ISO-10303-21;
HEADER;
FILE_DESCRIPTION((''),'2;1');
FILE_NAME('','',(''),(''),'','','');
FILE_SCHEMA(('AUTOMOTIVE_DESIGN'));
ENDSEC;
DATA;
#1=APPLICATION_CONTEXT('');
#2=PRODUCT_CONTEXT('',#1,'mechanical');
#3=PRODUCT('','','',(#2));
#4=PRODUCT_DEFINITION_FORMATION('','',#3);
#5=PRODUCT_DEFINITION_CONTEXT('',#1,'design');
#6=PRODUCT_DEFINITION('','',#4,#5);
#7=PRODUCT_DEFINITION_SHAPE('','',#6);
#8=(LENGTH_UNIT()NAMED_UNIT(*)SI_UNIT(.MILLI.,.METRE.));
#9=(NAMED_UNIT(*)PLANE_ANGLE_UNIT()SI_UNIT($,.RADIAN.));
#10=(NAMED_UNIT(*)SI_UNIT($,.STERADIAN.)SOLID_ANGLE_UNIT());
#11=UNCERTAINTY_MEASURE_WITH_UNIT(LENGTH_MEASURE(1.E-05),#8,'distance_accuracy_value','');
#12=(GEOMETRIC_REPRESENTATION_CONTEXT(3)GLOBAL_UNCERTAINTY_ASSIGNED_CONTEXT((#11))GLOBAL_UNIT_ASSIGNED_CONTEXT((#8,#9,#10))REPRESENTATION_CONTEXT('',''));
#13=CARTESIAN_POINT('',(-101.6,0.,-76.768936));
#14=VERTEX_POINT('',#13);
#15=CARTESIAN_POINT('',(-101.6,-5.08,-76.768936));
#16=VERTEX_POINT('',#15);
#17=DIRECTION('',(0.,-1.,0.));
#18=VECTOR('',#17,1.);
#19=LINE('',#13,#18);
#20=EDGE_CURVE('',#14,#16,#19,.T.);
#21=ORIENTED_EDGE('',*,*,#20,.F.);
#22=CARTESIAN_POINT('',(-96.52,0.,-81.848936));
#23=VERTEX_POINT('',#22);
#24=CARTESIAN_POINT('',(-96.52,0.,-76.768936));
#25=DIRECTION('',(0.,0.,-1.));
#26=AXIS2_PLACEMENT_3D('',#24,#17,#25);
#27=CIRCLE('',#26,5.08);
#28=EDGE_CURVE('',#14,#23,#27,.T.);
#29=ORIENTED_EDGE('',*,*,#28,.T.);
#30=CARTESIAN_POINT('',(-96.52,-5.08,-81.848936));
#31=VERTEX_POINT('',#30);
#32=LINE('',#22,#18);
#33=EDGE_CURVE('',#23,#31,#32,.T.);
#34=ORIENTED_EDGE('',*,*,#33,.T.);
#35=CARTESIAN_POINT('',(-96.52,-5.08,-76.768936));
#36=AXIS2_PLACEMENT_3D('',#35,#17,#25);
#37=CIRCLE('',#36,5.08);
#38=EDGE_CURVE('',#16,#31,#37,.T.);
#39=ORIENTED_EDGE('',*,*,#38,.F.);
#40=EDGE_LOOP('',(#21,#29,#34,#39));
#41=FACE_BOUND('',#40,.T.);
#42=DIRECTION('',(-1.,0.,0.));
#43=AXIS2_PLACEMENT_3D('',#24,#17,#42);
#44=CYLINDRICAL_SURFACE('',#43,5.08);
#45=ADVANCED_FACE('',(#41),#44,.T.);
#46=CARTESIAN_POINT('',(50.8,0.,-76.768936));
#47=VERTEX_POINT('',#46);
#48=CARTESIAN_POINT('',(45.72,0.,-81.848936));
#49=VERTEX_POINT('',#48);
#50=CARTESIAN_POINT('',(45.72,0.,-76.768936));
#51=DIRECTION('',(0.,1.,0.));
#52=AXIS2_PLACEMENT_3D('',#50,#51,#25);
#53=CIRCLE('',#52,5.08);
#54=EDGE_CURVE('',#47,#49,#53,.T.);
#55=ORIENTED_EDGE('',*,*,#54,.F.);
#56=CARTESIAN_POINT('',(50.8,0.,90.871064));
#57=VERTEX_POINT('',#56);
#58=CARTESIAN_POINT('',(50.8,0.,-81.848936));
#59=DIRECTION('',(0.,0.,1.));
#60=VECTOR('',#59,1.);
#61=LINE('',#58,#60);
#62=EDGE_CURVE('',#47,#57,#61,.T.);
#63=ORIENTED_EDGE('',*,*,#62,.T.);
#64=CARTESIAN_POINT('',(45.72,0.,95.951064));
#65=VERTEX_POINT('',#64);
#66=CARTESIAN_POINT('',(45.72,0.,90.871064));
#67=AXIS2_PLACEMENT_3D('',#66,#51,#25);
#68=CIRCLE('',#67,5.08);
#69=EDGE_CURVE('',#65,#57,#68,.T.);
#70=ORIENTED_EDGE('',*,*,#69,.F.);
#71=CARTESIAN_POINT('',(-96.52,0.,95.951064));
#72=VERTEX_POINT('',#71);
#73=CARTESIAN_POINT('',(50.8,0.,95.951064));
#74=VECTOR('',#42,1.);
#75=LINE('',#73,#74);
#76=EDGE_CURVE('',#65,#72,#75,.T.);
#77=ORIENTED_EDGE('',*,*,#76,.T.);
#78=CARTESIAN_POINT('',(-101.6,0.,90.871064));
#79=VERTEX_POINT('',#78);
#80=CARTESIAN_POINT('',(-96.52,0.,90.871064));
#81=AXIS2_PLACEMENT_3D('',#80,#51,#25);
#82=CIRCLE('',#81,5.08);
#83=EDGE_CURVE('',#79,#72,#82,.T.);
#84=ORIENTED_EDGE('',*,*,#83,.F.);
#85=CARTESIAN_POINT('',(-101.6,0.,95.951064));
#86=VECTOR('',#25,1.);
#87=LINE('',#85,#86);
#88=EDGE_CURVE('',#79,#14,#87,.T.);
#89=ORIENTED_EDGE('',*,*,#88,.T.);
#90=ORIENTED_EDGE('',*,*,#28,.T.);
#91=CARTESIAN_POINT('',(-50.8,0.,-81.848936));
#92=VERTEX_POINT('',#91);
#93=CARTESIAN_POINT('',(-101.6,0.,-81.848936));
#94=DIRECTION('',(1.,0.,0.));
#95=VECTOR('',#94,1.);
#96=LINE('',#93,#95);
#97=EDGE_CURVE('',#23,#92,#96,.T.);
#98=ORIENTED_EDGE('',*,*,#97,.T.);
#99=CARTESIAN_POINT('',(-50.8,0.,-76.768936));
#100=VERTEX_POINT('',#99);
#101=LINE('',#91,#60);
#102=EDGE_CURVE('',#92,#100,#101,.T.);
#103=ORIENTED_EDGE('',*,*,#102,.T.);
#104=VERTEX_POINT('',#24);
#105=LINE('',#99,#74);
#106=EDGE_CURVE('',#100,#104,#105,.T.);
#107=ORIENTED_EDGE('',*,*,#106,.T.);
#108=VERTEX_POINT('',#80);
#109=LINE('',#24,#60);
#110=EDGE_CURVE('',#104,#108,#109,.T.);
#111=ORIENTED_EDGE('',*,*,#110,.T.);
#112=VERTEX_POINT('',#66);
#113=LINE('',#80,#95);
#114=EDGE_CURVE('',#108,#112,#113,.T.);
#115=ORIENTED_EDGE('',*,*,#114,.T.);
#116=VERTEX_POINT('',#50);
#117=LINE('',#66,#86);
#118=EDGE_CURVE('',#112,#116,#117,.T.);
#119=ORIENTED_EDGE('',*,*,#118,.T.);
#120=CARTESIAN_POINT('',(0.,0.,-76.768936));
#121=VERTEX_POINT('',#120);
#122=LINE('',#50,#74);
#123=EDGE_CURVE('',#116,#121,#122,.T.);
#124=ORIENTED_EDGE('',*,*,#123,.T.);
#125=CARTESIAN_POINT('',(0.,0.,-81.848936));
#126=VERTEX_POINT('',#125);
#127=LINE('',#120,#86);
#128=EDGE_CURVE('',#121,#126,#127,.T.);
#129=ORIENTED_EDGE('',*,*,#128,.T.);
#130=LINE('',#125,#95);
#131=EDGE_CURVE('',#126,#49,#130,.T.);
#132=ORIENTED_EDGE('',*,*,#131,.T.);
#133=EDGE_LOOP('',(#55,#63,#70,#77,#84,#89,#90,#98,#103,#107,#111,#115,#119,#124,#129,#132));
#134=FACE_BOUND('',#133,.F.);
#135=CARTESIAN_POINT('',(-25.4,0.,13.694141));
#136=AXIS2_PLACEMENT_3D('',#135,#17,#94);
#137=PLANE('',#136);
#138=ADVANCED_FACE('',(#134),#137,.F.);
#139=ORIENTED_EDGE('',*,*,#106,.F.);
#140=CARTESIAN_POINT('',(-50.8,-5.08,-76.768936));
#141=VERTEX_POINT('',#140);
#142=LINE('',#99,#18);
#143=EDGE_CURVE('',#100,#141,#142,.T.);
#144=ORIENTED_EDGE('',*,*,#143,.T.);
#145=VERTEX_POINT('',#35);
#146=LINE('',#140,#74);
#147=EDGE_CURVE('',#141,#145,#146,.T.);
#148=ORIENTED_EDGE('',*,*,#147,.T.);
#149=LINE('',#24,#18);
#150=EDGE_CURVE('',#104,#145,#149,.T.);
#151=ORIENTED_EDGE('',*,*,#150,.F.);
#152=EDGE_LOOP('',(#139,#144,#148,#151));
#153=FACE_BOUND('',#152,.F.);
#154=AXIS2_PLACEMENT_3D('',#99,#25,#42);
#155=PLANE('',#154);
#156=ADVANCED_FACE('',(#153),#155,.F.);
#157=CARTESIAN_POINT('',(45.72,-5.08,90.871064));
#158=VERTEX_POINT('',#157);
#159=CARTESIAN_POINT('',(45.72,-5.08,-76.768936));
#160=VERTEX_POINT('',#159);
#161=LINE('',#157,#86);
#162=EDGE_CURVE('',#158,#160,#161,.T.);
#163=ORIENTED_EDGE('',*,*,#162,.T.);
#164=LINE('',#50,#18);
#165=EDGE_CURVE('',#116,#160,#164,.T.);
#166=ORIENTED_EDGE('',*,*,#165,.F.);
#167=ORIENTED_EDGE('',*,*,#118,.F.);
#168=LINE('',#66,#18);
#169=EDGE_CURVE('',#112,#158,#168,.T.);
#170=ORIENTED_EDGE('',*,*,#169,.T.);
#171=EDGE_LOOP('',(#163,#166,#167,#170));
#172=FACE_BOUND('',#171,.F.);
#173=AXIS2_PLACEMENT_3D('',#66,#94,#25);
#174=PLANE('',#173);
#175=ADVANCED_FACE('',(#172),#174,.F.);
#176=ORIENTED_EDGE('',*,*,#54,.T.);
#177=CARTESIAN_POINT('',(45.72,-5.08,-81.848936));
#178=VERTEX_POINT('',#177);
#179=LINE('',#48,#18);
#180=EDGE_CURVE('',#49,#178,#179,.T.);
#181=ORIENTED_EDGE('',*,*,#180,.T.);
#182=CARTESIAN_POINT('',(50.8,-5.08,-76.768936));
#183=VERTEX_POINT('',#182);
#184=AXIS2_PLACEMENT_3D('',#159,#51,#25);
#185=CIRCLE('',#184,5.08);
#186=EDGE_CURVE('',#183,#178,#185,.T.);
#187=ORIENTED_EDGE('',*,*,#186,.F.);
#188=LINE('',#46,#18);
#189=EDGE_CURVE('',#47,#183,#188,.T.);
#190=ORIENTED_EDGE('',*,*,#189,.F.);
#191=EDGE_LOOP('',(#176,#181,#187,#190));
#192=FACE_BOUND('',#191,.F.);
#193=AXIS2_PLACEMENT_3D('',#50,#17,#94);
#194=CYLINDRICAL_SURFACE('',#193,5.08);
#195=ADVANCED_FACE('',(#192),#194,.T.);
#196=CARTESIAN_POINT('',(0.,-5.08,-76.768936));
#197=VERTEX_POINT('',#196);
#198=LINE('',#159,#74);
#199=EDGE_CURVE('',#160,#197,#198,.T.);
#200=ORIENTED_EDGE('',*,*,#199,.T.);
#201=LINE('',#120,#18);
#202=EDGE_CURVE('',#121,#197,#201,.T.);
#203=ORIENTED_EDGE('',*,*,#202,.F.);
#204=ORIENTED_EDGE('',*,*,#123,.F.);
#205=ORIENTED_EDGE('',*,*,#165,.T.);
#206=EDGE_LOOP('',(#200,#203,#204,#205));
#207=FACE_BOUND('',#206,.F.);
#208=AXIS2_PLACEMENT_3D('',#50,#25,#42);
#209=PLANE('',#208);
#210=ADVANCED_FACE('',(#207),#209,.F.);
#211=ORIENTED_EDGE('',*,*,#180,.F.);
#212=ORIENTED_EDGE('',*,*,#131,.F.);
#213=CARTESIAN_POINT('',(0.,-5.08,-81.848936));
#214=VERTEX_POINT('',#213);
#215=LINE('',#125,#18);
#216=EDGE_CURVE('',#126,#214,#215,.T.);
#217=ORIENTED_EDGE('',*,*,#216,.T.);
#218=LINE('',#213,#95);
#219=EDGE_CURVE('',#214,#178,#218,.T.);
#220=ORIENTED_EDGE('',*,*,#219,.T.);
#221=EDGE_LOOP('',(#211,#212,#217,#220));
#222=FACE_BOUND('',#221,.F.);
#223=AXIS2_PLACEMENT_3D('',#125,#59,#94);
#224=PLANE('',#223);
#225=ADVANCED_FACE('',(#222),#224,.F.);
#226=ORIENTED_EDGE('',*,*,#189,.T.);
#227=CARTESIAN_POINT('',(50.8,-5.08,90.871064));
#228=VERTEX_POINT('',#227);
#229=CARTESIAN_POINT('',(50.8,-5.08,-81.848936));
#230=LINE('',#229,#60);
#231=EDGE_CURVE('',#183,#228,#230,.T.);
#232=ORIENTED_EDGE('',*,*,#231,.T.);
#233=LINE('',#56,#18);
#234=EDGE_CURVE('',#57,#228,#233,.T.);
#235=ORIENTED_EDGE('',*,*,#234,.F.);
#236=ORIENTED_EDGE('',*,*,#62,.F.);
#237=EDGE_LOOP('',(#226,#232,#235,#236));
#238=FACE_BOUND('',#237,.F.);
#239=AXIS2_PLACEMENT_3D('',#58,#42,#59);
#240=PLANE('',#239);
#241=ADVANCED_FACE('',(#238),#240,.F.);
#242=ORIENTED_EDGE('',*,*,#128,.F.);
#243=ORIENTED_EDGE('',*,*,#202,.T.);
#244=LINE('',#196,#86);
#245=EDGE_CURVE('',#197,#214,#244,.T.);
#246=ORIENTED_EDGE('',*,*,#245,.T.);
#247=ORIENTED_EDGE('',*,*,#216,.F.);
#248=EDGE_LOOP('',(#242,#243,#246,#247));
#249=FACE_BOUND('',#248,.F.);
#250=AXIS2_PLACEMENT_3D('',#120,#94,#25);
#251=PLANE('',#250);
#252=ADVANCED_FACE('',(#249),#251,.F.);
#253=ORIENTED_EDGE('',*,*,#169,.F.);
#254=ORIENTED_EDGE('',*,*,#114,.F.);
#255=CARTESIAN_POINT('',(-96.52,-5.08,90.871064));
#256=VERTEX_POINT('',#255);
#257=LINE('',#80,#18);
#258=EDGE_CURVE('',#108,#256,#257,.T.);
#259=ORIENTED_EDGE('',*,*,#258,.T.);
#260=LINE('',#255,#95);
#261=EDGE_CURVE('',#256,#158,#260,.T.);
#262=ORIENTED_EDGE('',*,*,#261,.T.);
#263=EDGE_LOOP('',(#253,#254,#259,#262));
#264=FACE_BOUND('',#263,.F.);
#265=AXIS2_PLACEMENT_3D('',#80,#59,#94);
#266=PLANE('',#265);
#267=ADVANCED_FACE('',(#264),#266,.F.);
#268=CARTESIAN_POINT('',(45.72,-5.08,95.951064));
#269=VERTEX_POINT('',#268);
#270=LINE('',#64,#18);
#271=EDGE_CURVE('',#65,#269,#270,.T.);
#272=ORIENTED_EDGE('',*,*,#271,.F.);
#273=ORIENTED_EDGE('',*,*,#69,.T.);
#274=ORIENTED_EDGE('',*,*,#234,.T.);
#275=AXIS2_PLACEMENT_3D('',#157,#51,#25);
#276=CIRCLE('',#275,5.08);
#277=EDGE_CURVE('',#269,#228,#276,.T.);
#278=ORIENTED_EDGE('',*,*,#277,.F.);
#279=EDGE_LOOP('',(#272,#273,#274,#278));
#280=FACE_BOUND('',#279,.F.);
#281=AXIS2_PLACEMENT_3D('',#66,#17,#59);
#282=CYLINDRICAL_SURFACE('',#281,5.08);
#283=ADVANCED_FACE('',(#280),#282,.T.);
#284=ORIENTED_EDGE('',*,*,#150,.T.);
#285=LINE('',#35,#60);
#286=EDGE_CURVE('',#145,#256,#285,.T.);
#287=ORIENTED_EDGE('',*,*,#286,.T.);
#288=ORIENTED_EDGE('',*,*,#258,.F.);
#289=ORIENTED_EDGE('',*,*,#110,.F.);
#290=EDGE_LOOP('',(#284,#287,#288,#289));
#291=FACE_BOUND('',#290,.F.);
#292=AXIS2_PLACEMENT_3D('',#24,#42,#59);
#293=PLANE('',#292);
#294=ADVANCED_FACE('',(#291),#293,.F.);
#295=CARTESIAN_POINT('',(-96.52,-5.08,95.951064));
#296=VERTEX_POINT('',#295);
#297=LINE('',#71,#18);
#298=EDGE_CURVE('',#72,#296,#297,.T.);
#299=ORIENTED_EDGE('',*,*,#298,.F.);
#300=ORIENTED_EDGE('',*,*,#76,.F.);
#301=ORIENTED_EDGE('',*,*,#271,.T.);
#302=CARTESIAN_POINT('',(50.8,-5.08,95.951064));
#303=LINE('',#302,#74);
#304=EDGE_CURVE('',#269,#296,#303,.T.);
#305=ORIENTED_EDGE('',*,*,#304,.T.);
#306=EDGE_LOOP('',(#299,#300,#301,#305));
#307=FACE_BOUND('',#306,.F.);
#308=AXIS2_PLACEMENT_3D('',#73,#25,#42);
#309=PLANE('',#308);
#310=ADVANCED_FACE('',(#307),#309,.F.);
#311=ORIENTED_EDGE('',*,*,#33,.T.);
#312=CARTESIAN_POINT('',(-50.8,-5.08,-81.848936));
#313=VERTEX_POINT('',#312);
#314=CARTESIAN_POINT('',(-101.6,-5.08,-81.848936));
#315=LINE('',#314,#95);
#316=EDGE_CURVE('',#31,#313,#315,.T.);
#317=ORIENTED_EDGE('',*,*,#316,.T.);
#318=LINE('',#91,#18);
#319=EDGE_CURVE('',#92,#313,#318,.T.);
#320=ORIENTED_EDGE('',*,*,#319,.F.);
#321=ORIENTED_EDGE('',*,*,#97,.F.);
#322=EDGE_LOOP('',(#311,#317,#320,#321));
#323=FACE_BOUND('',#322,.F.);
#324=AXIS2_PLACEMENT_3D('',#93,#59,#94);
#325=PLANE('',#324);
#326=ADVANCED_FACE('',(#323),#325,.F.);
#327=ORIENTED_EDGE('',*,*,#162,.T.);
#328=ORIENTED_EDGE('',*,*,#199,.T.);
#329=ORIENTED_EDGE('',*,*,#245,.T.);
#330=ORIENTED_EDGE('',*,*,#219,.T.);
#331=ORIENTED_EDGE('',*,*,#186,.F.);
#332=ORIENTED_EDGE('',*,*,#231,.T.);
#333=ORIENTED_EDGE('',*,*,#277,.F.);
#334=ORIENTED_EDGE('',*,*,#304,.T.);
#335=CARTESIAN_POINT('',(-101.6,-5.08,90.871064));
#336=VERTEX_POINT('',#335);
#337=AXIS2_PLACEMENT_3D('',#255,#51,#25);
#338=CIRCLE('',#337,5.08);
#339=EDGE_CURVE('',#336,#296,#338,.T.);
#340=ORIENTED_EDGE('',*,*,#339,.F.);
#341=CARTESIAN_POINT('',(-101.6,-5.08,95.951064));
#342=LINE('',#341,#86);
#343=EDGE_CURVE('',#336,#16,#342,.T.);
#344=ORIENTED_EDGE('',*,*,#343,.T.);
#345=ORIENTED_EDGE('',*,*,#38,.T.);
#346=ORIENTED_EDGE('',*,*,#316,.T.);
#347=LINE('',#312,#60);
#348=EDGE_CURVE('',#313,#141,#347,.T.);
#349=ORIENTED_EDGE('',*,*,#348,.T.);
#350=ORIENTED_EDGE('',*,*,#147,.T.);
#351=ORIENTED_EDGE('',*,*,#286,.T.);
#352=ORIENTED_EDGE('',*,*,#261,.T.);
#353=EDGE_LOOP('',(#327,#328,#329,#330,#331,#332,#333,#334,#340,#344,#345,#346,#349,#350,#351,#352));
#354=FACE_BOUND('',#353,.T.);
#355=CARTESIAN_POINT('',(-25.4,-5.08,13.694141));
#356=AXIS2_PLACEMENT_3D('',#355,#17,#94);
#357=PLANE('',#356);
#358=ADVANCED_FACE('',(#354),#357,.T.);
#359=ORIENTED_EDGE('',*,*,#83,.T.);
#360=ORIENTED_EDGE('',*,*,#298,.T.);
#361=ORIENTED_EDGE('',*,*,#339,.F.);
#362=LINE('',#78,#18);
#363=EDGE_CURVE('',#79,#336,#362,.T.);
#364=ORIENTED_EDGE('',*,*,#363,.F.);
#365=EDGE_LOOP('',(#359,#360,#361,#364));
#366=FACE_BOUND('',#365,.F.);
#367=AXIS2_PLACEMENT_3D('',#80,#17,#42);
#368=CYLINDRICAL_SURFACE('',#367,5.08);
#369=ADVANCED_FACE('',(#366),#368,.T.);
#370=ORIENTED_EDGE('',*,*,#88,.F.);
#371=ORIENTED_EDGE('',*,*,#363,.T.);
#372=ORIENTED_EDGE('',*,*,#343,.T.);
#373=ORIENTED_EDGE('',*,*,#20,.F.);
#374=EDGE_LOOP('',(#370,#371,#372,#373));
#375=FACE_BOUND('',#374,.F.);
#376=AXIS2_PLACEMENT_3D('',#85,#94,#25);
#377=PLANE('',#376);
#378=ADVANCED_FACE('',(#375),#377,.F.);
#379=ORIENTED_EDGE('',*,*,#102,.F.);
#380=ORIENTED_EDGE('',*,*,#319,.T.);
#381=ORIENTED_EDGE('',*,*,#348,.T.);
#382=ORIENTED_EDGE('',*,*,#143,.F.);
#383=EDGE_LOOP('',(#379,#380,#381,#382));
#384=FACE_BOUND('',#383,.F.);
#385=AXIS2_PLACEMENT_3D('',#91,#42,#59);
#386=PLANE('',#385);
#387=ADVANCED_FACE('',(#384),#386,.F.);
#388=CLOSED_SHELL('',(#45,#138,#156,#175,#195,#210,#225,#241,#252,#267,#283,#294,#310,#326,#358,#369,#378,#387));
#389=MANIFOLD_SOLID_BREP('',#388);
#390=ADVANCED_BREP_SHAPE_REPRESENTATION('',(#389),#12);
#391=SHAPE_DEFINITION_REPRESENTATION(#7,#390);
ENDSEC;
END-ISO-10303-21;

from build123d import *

# Parameters (mm, degrees)
F1_DEPTH = 5.08
F2_R     = 5.08
F3_R     = 5.08
F4_R     = 5.08
F5_R     = 5.08


with BuildPart() as f1:
    # F0 (on Front) → F1 (new body)
    with BuildSketch(Plane.XZ):
        Polygon((-101.6, 95.951064), (-101.6, -81.848936), (-50.8, -81.848936), (-50.8, -76.768936), (-96.52, -76.768936), (-96.52, 90.871064), (45.72, 90.871064), (45.72, -76.768936), (0, -76.768936), (0, -81.848936), (50.8, -81.848936), (50.8, 95.951064), align=None)
    extrude(amount=F1_DEPTH)

    # F2
    f2_edges = [f1.edges().sort_by_distance(p)[0] for p in [
        (-101.6, -2.54, 95.951064),
    ]]
    fillet(f2_edges, radius=F2_R)

    # F3
    f3_edges = [f1.edges().sort_by_distance(p)[0] for p in [
        (50.8, -2.54, 95.951064),
    ]]
    fillet(f3_edges, radius=F3_R)

    # F4
    f4_edges = [f1.edges().sort_by_distance(p)[0] for p in [
        (-101.6, -2.54, -81.848936),
    ]]
    fillet(f4_edges, radius=F4_R)

    # F5
    f5_edges = [f1.edges().sort_by_distance(p)[0] for p in [
        (50.8, -2.54, -81.848936),
    ]]
    fillet(f5_edges, radius=F5_R)


solid = f1.part
